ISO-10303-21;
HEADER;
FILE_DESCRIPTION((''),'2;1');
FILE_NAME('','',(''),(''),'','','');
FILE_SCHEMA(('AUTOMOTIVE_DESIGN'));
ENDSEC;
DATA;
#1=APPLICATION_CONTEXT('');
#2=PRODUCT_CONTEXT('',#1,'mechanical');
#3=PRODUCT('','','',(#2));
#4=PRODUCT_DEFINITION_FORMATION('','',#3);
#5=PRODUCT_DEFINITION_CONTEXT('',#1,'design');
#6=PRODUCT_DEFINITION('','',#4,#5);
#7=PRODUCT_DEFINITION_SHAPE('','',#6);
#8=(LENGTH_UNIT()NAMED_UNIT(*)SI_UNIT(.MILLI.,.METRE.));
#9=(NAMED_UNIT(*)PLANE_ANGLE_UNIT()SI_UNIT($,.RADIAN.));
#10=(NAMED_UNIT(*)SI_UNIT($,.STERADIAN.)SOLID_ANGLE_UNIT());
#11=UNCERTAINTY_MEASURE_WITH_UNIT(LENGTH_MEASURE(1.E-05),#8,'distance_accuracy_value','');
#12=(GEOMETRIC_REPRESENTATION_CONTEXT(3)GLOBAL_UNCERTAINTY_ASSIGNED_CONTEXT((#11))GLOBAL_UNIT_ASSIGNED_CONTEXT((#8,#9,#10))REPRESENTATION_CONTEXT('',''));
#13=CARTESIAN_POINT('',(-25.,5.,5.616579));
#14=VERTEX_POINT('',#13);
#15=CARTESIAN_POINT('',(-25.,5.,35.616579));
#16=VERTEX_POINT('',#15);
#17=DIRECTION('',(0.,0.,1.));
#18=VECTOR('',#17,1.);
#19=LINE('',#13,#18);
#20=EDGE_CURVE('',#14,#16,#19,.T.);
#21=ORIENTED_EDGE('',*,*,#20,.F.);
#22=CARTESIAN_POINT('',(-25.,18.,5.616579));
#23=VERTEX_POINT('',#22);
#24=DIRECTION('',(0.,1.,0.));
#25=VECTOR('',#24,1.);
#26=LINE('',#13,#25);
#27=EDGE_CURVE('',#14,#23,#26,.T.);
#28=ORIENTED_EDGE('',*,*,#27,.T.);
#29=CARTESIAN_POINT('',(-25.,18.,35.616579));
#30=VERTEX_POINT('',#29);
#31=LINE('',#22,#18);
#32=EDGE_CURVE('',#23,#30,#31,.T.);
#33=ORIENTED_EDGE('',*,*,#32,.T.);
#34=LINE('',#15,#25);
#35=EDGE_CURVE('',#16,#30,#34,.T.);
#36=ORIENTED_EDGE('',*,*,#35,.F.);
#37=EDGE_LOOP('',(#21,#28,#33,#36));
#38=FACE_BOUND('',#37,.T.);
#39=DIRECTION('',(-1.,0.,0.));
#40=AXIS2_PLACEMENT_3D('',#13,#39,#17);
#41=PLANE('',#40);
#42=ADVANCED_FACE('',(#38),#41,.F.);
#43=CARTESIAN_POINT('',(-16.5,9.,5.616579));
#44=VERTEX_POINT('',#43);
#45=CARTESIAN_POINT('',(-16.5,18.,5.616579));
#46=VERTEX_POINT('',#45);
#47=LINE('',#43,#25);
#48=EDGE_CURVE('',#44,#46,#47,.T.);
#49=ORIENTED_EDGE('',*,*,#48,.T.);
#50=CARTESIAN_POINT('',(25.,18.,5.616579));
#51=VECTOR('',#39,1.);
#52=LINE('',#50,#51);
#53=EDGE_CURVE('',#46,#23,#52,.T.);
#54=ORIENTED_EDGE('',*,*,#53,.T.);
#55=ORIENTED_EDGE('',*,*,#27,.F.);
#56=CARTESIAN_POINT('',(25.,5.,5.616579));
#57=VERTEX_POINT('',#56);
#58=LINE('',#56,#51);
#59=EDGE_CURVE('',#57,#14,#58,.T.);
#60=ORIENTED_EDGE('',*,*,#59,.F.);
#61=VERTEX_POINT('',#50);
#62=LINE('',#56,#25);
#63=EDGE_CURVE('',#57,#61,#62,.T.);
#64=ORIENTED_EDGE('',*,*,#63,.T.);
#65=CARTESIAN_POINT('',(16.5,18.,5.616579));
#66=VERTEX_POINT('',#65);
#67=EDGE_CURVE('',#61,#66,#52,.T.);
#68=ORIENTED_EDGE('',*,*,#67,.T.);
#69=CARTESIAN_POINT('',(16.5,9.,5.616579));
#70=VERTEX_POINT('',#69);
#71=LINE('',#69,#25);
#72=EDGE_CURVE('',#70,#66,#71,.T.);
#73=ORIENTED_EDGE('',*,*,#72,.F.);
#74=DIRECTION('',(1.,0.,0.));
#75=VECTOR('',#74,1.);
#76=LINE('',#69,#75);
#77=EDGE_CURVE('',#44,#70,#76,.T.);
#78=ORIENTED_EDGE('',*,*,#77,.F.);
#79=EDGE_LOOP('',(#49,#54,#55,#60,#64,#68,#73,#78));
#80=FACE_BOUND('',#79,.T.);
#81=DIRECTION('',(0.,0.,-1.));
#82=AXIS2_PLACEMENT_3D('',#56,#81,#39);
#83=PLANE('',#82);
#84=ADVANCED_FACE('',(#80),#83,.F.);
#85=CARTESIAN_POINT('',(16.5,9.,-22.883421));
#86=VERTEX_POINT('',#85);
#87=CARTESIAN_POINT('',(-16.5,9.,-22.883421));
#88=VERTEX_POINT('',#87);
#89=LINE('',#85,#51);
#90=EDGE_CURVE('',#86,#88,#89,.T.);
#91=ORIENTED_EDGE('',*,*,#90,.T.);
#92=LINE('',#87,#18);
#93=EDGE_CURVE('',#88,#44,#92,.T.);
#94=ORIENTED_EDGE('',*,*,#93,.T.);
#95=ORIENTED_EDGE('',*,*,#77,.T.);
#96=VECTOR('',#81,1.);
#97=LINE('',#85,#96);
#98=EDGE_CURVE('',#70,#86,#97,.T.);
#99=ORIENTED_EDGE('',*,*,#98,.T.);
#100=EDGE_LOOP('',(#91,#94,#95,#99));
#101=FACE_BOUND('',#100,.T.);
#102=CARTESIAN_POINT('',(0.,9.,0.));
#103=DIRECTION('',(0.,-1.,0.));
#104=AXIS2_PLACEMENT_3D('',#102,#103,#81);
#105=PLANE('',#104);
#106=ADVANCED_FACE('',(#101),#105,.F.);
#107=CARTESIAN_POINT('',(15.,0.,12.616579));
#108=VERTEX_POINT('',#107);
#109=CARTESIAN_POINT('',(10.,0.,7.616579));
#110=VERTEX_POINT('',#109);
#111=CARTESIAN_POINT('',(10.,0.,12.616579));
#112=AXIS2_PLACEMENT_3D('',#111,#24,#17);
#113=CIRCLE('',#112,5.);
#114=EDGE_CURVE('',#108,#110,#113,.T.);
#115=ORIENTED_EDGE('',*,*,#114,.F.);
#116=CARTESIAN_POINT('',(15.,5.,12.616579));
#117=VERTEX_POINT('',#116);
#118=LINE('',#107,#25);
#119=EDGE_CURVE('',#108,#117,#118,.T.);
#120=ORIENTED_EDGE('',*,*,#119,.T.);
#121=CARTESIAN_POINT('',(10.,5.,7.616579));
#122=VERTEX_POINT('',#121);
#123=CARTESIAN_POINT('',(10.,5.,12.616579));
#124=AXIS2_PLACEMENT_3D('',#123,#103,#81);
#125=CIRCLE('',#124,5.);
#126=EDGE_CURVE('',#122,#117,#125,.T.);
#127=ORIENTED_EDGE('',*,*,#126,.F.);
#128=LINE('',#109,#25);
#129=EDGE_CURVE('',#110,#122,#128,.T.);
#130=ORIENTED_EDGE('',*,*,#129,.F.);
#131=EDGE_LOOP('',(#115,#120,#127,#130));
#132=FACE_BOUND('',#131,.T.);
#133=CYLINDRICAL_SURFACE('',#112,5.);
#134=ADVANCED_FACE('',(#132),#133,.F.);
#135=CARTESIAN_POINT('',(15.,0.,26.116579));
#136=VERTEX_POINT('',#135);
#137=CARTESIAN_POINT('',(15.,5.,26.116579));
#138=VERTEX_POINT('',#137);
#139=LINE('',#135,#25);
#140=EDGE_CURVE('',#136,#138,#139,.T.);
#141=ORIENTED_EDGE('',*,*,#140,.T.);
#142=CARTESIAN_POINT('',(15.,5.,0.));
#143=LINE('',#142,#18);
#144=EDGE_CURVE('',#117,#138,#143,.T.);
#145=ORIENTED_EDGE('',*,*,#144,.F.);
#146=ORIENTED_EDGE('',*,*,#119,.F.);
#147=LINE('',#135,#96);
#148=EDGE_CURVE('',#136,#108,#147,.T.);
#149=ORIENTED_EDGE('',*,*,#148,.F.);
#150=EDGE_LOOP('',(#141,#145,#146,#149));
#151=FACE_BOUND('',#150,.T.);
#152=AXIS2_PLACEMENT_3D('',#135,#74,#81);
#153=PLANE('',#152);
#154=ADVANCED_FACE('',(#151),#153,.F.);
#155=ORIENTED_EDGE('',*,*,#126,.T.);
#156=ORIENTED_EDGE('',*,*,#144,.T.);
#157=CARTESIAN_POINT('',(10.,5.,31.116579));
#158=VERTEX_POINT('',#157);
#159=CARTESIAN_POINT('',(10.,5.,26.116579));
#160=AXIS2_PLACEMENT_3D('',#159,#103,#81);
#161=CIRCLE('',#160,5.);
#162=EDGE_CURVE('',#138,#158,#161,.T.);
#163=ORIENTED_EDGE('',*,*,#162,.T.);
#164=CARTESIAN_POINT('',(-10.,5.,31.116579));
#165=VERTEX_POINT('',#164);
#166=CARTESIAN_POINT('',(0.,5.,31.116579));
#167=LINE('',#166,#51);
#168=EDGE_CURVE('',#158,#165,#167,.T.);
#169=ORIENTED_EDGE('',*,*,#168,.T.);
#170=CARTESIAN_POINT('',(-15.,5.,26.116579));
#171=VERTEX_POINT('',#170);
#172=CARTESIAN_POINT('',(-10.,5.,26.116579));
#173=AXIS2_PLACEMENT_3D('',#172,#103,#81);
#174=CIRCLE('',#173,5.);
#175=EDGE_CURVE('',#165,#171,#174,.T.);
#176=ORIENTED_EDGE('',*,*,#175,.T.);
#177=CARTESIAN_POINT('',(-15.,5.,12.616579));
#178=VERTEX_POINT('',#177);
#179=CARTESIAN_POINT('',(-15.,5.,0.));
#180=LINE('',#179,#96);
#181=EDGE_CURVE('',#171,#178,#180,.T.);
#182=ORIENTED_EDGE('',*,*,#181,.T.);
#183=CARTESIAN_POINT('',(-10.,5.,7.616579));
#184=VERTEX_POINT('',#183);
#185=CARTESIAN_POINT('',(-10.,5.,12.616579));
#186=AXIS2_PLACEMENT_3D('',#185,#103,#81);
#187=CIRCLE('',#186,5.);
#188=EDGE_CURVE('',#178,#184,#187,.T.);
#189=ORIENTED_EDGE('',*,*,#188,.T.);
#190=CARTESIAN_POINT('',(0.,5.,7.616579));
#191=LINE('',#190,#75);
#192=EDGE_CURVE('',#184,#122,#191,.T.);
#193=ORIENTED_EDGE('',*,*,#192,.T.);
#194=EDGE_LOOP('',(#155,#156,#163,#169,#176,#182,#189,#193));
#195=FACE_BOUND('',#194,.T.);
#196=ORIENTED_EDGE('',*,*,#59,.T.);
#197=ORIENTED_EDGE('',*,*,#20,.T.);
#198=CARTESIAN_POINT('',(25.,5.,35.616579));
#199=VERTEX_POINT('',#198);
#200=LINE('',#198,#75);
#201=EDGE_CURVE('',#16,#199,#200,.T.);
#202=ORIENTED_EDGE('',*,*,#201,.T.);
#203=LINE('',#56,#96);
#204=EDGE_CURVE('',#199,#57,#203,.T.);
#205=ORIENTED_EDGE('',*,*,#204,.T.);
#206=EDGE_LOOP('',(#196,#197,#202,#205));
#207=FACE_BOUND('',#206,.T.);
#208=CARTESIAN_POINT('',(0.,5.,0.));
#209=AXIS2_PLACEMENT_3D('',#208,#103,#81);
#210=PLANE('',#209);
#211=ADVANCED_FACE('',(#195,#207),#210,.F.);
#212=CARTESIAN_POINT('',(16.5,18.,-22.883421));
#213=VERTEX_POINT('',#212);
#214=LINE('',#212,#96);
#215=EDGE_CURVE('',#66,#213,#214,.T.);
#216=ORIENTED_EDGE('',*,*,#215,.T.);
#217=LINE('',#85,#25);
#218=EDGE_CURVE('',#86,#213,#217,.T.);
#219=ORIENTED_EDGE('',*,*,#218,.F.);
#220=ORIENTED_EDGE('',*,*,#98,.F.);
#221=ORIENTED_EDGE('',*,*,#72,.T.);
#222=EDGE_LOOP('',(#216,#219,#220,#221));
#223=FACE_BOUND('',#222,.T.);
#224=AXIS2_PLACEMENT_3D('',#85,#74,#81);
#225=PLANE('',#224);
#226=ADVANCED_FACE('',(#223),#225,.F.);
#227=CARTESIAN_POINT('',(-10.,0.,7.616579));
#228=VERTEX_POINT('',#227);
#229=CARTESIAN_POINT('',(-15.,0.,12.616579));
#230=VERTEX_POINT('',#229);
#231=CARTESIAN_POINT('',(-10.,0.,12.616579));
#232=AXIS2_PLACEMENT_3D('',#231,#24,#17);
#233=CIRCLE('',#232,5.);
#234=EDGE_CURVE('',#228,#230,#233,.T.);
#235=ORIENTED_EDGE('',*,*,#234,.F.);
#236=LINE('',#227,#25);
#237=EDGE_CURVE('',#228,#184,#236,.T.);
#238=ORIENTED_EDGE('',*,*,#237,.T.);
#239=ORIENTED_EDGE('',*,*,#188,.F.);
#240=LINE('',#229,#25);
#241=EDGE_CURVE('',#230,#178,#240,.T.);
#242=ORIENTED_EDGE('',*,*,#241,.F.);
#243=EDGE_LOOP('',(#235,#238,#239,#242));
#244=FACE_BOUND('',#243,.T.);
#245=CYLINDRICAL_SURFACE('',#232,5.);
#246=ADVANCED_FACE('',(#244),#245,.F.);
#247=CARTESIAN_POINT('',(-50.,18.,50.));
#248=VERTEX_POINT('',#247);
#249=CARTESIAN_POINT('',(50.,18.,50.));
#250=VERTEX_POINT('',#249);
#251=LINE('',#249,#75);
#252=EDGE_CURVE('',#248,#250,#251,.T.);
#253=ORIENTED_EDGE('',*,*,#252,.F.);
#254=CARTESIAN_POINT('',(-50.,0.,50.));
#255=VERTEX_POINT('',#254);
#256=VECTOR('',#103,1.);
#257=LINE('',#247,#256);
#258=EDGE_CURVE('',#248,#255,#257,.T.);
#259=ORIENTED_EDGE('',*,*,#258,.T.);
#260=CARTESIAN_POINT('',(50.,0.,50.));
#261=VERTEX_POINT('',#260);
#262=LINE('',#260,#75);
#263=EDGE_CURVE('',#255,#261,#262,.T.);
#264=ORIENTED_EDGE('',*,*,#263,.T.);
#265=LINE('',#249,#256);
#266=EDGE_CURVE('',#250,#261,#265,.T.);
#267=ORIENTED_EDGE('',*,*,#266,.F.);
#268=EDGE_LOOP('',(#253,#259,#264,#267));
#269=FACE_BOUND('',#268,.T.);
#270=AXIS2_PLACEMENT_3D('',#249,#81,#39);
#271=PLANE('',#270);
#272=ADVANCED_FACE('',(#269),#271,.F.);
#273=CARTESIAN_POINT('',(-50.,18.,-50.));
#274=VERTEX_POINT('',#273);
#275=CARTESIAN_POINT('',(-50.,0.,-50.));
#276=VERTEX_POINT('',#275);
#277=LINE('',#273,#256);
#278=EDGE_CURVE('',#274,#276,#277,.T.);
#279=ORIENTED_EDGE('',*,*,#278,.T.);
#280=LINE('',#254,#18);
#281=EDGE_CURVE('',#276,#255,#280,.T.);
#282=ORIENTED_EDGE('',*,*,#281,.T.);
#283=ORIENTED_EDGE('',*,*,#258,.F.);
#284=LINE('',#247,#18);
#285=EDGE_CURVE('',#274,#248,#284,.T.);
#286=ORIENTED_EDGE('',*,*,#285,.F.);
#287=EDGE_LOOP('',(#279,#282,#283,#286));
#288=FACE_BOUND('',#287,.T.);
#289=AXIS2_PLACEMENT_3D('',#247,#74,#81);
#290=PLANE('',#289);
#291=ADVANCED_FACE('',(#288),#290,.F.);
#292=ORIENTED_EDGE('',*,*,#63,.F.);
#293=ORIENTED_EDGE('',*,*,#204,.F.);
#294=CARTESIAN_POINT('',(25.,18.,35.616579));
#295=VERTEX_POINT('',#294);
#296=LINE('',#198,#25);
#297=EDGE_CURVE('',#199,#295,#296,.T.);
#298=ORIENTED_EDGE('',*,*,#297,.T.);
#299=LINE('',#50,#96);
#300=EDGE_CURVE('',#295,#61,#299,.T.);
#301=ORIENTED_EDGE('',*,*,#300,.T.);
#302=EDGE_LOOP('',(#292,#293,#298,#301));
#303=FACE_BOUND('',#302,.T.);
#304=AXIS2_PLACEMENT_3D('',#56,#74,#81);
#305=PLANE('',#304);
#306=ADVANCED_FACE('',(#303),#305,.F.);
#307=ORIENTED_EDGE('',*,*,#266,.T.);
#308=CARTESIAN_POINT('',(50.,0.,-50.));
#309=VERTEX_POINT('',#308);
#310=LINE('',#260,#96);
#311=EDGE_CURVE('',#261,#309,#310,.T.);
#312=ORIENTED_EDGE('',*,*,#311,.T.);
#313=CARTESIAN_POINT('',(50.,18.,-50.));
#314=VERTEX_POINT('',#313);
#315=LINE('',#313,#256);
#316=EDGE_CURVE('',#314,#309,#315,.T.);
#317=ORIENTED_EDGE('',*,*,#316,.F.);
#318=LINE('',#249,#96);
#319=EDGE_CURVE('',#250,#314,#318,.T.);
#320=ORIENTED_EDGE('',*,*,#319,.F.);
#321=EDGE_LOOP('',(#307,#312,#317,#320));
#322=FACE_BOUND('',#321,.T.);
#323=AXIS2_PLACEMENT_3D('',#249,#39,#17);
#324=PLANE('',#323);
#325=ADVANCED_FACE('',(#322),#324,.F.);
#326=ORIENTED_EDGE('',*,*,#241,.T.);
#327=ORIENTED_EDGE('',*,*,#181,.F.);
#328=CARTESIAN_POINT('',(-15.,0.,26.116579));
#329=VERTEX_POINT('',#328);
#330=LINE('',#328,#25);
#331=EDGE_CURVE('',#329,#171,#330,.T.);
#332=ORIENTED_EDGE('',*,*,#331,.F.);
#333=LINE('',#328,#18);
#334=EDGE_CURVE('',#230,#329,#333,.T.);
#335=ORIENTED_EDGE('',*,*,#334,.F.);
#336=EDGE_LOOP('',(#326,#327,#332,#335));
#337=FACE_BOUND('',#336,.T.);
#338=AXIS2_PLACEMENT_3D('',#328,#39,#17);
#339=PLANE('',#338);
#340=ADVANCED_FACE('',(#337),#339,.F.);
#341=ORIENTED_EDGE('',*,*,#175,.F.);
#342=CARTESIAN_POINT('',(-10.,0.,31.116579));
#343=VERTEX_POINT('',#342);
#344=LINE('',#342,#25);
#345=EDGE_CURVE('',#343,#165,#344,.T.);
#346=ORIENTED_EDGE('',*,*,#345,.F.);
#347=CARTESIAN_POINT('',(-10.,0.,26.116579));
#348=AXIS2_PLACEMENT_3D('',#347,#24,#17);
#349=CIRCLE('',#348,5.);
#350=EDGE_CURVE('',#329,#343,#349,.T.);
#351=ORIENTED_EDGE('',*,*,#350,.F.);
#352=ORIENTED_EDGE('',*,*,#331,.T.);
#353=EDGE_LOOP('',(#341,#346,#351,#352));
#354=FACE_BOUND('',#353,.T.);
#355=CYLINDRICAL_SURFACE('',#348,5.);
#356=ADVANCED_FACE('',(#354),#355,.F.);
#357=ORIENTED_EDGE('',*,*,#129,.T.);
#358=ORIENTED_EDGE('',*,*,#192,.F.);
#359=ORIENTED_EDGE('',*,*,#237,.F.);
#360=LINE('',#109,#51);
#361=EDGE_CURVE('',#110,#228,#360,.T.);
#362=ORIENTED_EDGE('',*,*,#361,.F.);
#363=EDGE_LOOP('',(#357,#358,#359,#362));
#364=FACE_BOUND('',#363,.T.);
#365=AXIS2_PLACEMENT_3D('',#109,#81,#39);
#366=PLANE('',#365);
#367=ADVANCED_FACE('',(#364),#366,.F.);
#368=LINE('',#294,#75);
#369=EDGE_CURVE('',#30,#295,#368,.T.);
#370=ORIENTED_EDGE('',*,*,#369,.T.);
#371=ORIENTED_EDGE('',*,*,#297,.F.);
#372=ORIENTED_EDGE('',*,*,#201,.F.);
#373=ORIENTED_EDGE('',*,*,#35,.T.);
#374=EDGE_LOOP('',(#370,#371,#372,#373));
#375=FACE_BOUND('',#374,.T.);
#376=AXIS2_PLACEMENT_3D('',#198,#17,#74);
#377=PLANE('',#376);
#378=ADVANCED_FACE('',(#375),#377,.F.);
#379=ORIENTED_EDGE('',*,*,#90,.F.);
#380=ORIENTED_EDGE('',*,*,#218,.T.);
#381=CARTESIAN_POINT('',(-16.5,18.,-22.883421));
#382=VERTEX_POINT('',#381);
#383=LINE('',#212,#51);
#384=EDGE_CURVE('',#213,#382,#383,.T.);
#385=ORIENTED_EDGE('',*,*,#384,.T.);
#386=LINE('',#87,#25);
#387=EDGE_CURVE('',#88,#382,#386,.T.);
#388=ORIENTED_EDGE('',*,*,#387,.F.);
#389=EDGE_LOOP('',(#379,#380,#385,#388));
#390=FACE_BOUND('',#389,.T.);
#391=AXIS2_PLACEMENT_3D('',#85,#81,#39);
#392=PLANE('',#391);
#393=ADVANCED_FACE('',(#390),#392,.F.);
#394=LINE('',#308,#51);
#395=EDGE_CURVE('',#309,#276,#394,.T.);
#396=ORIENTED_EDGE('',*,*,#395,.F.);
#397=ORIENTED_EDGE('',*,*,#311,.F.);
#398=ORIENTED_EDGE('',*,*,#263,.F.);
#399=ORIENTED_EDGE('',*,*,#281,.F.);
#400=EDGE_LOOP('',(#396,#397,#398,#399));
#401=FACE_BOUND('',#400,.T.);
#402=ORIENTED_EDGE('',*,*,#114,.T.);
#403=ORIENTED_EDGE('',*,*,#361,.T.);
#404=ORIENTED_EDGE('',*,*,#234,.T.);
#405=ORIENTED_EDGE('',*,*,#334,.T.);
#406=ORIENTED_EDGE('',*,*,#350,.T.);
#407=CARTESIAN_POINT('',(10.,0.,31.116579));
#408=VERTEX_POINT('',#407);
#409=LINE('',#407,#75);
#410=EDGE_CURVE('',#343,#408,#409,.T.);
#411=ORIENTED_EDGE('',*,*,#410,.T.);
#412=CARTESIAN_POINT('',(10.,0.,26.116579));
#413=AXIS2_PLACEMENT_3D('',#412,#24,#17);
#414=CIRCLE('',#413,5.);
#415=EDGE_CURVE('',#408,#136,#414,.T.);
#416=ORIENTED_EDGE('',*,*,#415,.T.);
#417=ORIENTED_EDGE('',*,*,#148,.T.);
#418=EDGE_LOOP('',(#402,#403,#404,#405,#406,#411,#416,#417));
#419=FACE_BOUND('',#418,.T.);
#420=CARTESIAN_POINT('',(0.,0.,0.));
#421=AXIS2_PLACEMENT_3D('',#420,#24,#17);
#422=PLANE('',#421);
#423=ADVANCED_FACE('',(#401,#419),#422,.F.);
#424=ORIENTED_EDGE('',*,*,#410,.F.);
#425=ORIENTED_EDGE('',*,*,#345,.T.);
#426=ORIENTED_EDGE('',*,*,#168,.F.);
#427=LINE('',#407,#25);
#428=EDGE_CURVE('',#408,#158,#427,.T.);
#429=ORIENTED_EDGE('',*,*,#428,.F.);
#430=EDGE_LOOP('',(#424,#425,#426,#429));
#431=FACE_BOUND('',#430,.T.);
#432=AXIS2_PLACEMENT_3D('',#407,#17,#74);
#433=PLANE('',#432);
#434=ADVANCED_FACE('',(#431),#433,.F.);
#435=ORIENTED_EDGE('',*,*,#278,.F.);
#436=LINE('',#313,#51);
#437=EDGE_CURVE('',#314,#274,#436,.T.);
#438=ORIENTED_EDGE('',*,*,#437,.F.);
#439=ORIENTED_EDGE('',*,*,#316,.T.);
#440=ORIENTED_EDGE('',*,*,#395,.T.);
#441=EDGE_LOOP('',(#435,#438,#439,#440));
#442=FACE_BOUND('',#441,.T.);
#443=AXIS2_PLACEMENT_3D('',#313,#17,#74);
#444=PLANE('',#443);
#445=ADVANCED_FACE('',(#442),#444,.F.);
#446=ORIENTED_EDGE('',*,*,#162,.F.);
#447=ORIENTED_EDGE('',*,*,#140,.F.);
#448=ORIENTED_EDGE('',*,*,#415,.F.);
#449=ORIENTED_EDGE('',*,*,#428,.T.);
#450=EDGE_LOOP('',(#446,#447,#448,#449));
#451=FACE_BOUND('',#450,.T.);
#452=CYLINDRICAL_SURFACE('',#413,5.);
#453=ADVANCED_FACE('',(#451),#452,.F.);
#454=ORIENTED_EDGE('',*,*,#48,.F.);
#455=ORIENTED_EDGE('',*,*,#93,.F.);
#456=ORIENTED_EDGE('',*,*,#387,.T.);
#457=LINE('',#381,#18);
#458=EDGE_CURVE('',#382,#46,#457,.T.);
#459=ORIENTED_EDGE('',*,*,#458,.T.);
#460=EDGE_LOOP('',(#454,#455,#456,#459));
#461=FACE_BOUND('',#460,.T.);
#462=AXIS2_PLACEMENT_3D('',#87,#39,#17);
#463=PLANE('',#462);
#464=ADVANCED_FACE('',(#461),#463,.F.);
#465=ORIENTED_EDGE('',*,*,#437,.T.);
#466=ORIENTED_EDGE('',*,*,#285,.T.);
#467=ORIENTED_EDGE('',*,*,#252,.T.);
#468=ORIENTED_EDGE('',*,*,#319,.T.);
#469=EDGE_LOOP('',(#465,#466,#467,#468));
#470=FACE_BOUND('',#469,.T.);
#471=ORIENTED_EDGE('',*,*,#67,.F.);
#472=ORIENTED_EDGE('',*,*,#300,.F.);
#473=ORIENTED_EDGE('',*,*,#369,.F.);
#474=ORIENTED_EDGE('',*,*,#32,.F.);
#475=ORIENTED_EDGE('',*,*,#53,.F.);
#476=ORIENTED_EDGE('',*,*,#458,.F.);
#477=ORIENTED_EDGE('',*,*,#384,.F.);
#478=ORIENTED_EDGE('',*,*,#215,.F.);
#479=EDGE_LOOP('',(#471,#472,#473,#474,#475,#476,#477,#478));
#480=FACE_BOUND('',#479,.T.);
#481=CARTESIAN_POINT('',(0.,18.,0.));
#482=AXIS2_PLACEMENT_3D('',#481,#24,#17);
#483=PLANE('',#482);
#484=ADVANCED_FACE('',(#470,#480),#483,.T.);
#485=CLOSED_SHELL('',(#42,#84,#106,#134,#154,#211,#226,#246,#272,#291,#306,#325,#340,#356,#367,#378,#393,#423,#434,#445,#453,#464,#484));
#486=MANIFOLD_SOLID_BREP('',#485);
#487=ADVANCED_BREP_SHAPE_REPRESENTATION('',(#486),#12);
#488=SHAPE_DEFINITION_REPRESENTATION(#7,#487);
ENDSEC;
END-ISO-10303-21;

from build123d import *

# Parameters (mm, degrees)
SKETCH_1_W               = 100
SKETCH_1_H               = 100
EXTRUDE_1_DEPTH          = 18
SKETCH_2_W               = 50
SKETCH_2_H               = 30
CUT_EXTRUDE_1_DEPTH      = 13
CUT_EXTRUDE_2_DEPTH      = 72.895757872
CUT_EXTRUDE_2_DEPTH_BACK = 72.895757872
SKETCH_4_W               = 33
SKETCH_4_H               = 28.5
CUT_EXTRUDE_3_DEPTH      = 9


with BuildPart() as part:
    # Эскиз1 → Бобышка-Вытянуть1 (new body)
    with BuildSketch(Plane(origin=(0, 0, 0), x_dir=(1, 0, 0), z_dir=(0, 1, 0))):
        Rectangle(SKETCH_1_W, SKETCH_1_H)
    extrude(amount=EXTRUDE_1_DEPTH)

    # Эскиз2 → Вырез-Вытянуть1 (cut)
    with BuildSketch(Plane(origin=(0, 18, 0), x_dir=(1, 0, 0), z_dir=(0, 1, 0))):
        with Locations((0, -20.616579454)):
            Rectangle(SKETCH_2_W, SKETCH_2_H)
    extrude(amount=-CUT_EXTRUDE_1_DEPTH, mode=Mode.SUBTRACT)

    # Эскиз3 → Вырез-Вытянуть2 (cut, two sides: drawn at the far end of the back side and taken through both)
    with BuildSketch(Plane(origin=(0, 5, 0), x_dir=(1, 0, 0), z_dir=(0, 1, 0)).offset(-CUT_EXTRUDE_2_DEPTH_BACK)):
        with BuildLine():
            Line((10, -31.116579454), (-10, -31.116579454))
            ThreePointArc((-10, -31.116579454), (-13.535533906, -29.65211336), (-15, -26.116579454))
            Line((-15, -26.116579454), (-15, -12.616579454))
            ThreePointArc((-15, -12.616579454), (-13.535533906, -9.081045548), (-10, -7.616579454))
            Line((-10, -7.616579454), (10, -7.616579454))
            ThreePointArc((10, -7.616579454), (13.535533906, -9.081045548), (15, -12.616579454))
            Line((15, -12.616579454), (15, -26.116579454))
            ThreePointArc((15, -26.116579454), (13.535533906, -29.65211336), (10, -31.116579454))
        make_face()
    extrude(amount=CUT_EXTRUDE_2_DEPTH + CUT_EXTRUDE_2_DEPTH_BACK, mode=Mode.SUBTRACT)

    # Эскиз4 → Вырез-Вытянуть3 (cut)
    with BuildSketch(Plane(origin=(0, 18, 0), x_dir=(1, 0, 0), z_dir=(0, 1, 0))):
        with Locations((0, 8.633420546)):
            Rectangle(SKETCH_4_W, SKETCH_4_H)
    extrude(amount=-CUT_EXTRUDE_3_DEPTH, mode=Mode.SUBTRACT)


solid = part.part
